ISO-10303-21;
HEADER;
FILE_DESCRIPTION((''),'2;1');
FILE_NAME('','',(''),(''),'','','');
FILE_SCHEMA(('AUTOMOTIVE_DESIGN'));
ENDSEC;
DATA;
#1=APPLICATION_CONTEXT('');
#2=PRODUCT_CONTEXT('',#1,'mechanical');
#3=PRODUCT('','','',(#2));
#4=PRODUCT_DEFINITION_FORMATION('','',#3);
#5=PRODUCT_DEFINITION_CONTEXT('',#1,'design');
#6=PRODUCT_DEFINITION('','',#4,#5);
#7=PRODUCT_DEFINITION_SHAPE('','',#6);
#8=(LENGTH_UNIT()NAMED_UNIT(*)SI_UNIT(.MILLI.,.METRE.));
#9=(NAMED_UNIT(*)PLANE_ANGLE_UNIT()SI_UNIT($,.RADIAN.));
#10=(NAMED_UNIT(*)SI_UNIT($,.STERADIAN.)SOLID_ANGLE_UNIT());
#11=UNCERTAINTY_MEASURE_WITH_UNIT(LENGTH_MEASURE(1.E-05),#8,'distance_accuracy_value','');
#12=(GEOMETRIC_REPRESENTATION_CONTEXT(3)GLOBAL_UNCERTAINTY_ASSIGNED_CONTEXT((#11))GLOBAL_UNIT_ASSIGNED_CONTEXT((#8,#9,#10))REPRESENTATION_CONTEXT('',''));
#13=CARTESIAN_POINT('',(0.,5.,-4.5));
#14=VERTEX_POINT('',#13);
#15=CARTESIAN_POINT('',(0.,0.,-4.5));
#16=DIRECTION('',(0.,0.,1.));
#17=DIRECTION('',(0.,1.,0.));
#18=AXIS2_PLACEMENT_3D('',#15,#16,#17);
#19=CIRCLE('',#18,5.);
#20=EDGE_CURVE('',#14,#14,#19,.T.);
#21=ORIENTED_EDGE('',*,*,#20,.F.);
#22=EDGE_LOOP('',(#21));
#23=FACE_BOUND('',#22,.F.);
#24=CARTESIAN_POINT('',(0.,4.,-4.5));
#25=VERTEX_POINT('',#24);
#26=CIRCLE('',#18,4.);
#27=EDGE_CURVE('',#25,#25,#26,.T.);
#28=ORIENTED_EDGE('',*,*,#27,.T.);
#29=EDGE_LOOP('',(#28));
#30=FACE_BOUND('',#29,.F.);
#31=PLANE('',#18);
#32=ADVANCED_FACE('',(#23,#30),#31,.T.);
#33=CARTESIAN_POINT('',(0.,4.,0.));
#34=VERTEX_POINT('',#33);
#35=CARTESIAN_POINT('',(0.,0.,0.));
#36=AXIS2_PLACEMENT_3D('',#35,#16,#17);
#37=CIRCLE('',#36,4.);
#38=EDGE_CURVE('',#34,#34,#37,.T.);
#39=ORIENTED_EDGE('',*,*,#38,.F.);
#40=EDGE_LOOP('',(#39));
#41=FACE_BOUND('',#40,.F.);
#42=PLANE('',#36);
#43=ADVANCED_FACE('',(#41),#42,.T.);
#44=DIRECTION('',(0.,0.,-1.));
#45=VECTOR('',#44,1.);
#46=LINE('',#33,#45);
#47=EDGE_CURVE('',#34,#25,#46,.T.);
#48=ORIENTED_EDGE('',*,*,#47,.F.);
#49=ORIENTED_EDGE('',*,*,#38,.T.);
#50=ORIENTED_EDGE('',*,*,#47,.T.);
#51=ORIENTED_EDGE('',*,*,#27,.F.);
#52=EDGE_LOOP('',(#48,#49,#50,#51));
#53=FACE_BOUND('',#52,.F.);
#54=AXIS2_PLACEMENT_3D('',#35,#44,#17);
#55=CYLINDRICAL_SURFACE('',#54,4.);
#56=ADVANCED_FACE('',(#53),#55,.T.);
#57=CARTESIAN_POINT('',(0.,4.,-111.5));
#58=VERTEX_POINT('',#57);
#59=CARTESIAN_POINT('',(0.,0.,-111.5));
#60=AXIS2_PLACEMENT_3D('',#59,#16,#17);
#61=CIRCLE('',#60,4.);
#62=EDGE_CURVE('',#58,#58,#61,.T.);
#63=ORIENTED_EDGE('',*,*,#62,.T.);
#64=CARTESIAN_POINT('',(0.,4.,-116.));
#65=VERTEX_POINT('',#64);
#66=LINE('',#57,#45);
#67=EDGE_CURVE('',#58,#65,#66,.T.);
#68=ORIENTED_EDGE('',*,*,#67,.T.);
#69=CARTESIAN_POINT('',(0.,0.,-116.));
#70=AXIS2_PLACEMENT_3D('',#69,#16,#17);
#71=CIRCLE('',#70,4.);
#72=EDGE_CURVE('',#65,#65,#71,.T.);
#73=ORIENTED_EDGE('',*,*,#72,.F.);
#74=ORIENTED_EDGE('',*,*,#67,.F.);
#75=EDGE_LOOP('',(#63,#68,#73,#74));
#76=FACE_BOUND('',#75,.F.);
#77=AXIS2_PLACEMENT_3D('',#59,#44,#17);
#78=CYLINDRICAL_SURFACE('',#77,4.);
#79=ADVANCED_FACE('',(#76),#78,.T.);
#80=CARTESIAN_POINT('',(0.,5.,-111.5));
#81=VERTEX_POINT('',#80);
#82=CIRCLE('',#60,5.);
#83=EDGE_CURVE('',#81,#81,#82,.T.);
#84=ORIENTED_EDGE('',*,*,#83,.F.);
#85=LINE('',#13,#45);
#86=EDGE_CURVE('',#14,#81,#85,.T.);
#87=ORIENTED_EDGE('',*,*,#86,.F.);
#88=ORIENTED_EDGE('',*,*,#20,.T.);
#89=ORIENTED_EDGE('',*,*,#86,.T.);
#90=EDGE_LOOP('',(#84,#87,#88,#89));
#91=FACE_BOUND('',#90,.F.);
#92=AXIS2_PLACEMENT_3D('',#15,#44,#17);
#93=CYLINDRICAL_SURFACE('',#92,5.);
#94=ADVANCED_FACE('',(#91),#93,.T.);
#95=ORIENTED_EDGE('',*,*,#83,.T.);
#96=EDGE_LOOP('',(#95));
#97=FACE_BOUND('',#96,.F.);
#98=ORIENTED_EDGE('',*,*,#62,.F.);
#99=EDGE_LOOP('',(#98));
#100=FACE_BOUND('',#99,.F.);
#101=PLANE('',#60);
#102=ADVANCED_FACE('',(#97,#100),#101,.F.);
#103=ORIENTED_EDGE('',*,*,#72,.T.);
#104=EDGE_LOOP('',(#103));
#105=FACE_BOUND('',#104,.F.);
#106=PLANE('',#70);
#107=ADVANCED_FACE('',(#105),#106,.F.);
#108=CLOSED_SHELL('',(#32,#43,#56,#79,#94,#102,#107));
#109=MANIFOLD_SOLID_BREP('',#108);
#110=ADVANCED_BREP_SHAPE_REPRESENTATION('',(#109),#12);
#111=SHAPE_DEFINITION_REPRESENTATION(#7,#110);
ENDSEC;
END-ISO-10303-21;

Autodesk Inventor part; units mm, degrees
ref_plane "YZ Plane" through (0, 0, 0) normal (1, 0, 0) x (0, 1, 0)
ref_plane "XZ Plane" through (0, 0, 0) normal (0, 1, 0) x (-1, 0, 0)
ref_plane "XY Plane" through (0, 0, 0) normal (0, 0, 1) x (1, 0, 0)
sketch "Sketch1" plane through (0, 0, 0) normal (1, 0, 0) x (0, 1, 0)
  line L0 (0, 0) -> (4, 0)
  line L1 (4, 0) -> (4, -4.5)
  line L2 (4, -4.5) -> (5, -4.5)
  line L3 (5, -4.5) -> (5, -111.5)
  line L4 (5, -111.5) -> (4, -111.5)
  line L5 (4, -111.5) -> (4, -116)
  line L6 (4, -116) -> (0, -116)
  line L7 (0, -116) -> (0, 0)
  dimension "d0" = 4.5
  dimension "d1" = 4.5
  dimension "d2" = 5
  dimension "d3" = 4
  dimension "d4" = 116
revolve "Revolution1" add sketch "Sketch1" angle 360 about axis through (0, 0, -116) along (0, 0, 1)
properties part number "Module Pneumatic Axle" material "Stainless Steel"
